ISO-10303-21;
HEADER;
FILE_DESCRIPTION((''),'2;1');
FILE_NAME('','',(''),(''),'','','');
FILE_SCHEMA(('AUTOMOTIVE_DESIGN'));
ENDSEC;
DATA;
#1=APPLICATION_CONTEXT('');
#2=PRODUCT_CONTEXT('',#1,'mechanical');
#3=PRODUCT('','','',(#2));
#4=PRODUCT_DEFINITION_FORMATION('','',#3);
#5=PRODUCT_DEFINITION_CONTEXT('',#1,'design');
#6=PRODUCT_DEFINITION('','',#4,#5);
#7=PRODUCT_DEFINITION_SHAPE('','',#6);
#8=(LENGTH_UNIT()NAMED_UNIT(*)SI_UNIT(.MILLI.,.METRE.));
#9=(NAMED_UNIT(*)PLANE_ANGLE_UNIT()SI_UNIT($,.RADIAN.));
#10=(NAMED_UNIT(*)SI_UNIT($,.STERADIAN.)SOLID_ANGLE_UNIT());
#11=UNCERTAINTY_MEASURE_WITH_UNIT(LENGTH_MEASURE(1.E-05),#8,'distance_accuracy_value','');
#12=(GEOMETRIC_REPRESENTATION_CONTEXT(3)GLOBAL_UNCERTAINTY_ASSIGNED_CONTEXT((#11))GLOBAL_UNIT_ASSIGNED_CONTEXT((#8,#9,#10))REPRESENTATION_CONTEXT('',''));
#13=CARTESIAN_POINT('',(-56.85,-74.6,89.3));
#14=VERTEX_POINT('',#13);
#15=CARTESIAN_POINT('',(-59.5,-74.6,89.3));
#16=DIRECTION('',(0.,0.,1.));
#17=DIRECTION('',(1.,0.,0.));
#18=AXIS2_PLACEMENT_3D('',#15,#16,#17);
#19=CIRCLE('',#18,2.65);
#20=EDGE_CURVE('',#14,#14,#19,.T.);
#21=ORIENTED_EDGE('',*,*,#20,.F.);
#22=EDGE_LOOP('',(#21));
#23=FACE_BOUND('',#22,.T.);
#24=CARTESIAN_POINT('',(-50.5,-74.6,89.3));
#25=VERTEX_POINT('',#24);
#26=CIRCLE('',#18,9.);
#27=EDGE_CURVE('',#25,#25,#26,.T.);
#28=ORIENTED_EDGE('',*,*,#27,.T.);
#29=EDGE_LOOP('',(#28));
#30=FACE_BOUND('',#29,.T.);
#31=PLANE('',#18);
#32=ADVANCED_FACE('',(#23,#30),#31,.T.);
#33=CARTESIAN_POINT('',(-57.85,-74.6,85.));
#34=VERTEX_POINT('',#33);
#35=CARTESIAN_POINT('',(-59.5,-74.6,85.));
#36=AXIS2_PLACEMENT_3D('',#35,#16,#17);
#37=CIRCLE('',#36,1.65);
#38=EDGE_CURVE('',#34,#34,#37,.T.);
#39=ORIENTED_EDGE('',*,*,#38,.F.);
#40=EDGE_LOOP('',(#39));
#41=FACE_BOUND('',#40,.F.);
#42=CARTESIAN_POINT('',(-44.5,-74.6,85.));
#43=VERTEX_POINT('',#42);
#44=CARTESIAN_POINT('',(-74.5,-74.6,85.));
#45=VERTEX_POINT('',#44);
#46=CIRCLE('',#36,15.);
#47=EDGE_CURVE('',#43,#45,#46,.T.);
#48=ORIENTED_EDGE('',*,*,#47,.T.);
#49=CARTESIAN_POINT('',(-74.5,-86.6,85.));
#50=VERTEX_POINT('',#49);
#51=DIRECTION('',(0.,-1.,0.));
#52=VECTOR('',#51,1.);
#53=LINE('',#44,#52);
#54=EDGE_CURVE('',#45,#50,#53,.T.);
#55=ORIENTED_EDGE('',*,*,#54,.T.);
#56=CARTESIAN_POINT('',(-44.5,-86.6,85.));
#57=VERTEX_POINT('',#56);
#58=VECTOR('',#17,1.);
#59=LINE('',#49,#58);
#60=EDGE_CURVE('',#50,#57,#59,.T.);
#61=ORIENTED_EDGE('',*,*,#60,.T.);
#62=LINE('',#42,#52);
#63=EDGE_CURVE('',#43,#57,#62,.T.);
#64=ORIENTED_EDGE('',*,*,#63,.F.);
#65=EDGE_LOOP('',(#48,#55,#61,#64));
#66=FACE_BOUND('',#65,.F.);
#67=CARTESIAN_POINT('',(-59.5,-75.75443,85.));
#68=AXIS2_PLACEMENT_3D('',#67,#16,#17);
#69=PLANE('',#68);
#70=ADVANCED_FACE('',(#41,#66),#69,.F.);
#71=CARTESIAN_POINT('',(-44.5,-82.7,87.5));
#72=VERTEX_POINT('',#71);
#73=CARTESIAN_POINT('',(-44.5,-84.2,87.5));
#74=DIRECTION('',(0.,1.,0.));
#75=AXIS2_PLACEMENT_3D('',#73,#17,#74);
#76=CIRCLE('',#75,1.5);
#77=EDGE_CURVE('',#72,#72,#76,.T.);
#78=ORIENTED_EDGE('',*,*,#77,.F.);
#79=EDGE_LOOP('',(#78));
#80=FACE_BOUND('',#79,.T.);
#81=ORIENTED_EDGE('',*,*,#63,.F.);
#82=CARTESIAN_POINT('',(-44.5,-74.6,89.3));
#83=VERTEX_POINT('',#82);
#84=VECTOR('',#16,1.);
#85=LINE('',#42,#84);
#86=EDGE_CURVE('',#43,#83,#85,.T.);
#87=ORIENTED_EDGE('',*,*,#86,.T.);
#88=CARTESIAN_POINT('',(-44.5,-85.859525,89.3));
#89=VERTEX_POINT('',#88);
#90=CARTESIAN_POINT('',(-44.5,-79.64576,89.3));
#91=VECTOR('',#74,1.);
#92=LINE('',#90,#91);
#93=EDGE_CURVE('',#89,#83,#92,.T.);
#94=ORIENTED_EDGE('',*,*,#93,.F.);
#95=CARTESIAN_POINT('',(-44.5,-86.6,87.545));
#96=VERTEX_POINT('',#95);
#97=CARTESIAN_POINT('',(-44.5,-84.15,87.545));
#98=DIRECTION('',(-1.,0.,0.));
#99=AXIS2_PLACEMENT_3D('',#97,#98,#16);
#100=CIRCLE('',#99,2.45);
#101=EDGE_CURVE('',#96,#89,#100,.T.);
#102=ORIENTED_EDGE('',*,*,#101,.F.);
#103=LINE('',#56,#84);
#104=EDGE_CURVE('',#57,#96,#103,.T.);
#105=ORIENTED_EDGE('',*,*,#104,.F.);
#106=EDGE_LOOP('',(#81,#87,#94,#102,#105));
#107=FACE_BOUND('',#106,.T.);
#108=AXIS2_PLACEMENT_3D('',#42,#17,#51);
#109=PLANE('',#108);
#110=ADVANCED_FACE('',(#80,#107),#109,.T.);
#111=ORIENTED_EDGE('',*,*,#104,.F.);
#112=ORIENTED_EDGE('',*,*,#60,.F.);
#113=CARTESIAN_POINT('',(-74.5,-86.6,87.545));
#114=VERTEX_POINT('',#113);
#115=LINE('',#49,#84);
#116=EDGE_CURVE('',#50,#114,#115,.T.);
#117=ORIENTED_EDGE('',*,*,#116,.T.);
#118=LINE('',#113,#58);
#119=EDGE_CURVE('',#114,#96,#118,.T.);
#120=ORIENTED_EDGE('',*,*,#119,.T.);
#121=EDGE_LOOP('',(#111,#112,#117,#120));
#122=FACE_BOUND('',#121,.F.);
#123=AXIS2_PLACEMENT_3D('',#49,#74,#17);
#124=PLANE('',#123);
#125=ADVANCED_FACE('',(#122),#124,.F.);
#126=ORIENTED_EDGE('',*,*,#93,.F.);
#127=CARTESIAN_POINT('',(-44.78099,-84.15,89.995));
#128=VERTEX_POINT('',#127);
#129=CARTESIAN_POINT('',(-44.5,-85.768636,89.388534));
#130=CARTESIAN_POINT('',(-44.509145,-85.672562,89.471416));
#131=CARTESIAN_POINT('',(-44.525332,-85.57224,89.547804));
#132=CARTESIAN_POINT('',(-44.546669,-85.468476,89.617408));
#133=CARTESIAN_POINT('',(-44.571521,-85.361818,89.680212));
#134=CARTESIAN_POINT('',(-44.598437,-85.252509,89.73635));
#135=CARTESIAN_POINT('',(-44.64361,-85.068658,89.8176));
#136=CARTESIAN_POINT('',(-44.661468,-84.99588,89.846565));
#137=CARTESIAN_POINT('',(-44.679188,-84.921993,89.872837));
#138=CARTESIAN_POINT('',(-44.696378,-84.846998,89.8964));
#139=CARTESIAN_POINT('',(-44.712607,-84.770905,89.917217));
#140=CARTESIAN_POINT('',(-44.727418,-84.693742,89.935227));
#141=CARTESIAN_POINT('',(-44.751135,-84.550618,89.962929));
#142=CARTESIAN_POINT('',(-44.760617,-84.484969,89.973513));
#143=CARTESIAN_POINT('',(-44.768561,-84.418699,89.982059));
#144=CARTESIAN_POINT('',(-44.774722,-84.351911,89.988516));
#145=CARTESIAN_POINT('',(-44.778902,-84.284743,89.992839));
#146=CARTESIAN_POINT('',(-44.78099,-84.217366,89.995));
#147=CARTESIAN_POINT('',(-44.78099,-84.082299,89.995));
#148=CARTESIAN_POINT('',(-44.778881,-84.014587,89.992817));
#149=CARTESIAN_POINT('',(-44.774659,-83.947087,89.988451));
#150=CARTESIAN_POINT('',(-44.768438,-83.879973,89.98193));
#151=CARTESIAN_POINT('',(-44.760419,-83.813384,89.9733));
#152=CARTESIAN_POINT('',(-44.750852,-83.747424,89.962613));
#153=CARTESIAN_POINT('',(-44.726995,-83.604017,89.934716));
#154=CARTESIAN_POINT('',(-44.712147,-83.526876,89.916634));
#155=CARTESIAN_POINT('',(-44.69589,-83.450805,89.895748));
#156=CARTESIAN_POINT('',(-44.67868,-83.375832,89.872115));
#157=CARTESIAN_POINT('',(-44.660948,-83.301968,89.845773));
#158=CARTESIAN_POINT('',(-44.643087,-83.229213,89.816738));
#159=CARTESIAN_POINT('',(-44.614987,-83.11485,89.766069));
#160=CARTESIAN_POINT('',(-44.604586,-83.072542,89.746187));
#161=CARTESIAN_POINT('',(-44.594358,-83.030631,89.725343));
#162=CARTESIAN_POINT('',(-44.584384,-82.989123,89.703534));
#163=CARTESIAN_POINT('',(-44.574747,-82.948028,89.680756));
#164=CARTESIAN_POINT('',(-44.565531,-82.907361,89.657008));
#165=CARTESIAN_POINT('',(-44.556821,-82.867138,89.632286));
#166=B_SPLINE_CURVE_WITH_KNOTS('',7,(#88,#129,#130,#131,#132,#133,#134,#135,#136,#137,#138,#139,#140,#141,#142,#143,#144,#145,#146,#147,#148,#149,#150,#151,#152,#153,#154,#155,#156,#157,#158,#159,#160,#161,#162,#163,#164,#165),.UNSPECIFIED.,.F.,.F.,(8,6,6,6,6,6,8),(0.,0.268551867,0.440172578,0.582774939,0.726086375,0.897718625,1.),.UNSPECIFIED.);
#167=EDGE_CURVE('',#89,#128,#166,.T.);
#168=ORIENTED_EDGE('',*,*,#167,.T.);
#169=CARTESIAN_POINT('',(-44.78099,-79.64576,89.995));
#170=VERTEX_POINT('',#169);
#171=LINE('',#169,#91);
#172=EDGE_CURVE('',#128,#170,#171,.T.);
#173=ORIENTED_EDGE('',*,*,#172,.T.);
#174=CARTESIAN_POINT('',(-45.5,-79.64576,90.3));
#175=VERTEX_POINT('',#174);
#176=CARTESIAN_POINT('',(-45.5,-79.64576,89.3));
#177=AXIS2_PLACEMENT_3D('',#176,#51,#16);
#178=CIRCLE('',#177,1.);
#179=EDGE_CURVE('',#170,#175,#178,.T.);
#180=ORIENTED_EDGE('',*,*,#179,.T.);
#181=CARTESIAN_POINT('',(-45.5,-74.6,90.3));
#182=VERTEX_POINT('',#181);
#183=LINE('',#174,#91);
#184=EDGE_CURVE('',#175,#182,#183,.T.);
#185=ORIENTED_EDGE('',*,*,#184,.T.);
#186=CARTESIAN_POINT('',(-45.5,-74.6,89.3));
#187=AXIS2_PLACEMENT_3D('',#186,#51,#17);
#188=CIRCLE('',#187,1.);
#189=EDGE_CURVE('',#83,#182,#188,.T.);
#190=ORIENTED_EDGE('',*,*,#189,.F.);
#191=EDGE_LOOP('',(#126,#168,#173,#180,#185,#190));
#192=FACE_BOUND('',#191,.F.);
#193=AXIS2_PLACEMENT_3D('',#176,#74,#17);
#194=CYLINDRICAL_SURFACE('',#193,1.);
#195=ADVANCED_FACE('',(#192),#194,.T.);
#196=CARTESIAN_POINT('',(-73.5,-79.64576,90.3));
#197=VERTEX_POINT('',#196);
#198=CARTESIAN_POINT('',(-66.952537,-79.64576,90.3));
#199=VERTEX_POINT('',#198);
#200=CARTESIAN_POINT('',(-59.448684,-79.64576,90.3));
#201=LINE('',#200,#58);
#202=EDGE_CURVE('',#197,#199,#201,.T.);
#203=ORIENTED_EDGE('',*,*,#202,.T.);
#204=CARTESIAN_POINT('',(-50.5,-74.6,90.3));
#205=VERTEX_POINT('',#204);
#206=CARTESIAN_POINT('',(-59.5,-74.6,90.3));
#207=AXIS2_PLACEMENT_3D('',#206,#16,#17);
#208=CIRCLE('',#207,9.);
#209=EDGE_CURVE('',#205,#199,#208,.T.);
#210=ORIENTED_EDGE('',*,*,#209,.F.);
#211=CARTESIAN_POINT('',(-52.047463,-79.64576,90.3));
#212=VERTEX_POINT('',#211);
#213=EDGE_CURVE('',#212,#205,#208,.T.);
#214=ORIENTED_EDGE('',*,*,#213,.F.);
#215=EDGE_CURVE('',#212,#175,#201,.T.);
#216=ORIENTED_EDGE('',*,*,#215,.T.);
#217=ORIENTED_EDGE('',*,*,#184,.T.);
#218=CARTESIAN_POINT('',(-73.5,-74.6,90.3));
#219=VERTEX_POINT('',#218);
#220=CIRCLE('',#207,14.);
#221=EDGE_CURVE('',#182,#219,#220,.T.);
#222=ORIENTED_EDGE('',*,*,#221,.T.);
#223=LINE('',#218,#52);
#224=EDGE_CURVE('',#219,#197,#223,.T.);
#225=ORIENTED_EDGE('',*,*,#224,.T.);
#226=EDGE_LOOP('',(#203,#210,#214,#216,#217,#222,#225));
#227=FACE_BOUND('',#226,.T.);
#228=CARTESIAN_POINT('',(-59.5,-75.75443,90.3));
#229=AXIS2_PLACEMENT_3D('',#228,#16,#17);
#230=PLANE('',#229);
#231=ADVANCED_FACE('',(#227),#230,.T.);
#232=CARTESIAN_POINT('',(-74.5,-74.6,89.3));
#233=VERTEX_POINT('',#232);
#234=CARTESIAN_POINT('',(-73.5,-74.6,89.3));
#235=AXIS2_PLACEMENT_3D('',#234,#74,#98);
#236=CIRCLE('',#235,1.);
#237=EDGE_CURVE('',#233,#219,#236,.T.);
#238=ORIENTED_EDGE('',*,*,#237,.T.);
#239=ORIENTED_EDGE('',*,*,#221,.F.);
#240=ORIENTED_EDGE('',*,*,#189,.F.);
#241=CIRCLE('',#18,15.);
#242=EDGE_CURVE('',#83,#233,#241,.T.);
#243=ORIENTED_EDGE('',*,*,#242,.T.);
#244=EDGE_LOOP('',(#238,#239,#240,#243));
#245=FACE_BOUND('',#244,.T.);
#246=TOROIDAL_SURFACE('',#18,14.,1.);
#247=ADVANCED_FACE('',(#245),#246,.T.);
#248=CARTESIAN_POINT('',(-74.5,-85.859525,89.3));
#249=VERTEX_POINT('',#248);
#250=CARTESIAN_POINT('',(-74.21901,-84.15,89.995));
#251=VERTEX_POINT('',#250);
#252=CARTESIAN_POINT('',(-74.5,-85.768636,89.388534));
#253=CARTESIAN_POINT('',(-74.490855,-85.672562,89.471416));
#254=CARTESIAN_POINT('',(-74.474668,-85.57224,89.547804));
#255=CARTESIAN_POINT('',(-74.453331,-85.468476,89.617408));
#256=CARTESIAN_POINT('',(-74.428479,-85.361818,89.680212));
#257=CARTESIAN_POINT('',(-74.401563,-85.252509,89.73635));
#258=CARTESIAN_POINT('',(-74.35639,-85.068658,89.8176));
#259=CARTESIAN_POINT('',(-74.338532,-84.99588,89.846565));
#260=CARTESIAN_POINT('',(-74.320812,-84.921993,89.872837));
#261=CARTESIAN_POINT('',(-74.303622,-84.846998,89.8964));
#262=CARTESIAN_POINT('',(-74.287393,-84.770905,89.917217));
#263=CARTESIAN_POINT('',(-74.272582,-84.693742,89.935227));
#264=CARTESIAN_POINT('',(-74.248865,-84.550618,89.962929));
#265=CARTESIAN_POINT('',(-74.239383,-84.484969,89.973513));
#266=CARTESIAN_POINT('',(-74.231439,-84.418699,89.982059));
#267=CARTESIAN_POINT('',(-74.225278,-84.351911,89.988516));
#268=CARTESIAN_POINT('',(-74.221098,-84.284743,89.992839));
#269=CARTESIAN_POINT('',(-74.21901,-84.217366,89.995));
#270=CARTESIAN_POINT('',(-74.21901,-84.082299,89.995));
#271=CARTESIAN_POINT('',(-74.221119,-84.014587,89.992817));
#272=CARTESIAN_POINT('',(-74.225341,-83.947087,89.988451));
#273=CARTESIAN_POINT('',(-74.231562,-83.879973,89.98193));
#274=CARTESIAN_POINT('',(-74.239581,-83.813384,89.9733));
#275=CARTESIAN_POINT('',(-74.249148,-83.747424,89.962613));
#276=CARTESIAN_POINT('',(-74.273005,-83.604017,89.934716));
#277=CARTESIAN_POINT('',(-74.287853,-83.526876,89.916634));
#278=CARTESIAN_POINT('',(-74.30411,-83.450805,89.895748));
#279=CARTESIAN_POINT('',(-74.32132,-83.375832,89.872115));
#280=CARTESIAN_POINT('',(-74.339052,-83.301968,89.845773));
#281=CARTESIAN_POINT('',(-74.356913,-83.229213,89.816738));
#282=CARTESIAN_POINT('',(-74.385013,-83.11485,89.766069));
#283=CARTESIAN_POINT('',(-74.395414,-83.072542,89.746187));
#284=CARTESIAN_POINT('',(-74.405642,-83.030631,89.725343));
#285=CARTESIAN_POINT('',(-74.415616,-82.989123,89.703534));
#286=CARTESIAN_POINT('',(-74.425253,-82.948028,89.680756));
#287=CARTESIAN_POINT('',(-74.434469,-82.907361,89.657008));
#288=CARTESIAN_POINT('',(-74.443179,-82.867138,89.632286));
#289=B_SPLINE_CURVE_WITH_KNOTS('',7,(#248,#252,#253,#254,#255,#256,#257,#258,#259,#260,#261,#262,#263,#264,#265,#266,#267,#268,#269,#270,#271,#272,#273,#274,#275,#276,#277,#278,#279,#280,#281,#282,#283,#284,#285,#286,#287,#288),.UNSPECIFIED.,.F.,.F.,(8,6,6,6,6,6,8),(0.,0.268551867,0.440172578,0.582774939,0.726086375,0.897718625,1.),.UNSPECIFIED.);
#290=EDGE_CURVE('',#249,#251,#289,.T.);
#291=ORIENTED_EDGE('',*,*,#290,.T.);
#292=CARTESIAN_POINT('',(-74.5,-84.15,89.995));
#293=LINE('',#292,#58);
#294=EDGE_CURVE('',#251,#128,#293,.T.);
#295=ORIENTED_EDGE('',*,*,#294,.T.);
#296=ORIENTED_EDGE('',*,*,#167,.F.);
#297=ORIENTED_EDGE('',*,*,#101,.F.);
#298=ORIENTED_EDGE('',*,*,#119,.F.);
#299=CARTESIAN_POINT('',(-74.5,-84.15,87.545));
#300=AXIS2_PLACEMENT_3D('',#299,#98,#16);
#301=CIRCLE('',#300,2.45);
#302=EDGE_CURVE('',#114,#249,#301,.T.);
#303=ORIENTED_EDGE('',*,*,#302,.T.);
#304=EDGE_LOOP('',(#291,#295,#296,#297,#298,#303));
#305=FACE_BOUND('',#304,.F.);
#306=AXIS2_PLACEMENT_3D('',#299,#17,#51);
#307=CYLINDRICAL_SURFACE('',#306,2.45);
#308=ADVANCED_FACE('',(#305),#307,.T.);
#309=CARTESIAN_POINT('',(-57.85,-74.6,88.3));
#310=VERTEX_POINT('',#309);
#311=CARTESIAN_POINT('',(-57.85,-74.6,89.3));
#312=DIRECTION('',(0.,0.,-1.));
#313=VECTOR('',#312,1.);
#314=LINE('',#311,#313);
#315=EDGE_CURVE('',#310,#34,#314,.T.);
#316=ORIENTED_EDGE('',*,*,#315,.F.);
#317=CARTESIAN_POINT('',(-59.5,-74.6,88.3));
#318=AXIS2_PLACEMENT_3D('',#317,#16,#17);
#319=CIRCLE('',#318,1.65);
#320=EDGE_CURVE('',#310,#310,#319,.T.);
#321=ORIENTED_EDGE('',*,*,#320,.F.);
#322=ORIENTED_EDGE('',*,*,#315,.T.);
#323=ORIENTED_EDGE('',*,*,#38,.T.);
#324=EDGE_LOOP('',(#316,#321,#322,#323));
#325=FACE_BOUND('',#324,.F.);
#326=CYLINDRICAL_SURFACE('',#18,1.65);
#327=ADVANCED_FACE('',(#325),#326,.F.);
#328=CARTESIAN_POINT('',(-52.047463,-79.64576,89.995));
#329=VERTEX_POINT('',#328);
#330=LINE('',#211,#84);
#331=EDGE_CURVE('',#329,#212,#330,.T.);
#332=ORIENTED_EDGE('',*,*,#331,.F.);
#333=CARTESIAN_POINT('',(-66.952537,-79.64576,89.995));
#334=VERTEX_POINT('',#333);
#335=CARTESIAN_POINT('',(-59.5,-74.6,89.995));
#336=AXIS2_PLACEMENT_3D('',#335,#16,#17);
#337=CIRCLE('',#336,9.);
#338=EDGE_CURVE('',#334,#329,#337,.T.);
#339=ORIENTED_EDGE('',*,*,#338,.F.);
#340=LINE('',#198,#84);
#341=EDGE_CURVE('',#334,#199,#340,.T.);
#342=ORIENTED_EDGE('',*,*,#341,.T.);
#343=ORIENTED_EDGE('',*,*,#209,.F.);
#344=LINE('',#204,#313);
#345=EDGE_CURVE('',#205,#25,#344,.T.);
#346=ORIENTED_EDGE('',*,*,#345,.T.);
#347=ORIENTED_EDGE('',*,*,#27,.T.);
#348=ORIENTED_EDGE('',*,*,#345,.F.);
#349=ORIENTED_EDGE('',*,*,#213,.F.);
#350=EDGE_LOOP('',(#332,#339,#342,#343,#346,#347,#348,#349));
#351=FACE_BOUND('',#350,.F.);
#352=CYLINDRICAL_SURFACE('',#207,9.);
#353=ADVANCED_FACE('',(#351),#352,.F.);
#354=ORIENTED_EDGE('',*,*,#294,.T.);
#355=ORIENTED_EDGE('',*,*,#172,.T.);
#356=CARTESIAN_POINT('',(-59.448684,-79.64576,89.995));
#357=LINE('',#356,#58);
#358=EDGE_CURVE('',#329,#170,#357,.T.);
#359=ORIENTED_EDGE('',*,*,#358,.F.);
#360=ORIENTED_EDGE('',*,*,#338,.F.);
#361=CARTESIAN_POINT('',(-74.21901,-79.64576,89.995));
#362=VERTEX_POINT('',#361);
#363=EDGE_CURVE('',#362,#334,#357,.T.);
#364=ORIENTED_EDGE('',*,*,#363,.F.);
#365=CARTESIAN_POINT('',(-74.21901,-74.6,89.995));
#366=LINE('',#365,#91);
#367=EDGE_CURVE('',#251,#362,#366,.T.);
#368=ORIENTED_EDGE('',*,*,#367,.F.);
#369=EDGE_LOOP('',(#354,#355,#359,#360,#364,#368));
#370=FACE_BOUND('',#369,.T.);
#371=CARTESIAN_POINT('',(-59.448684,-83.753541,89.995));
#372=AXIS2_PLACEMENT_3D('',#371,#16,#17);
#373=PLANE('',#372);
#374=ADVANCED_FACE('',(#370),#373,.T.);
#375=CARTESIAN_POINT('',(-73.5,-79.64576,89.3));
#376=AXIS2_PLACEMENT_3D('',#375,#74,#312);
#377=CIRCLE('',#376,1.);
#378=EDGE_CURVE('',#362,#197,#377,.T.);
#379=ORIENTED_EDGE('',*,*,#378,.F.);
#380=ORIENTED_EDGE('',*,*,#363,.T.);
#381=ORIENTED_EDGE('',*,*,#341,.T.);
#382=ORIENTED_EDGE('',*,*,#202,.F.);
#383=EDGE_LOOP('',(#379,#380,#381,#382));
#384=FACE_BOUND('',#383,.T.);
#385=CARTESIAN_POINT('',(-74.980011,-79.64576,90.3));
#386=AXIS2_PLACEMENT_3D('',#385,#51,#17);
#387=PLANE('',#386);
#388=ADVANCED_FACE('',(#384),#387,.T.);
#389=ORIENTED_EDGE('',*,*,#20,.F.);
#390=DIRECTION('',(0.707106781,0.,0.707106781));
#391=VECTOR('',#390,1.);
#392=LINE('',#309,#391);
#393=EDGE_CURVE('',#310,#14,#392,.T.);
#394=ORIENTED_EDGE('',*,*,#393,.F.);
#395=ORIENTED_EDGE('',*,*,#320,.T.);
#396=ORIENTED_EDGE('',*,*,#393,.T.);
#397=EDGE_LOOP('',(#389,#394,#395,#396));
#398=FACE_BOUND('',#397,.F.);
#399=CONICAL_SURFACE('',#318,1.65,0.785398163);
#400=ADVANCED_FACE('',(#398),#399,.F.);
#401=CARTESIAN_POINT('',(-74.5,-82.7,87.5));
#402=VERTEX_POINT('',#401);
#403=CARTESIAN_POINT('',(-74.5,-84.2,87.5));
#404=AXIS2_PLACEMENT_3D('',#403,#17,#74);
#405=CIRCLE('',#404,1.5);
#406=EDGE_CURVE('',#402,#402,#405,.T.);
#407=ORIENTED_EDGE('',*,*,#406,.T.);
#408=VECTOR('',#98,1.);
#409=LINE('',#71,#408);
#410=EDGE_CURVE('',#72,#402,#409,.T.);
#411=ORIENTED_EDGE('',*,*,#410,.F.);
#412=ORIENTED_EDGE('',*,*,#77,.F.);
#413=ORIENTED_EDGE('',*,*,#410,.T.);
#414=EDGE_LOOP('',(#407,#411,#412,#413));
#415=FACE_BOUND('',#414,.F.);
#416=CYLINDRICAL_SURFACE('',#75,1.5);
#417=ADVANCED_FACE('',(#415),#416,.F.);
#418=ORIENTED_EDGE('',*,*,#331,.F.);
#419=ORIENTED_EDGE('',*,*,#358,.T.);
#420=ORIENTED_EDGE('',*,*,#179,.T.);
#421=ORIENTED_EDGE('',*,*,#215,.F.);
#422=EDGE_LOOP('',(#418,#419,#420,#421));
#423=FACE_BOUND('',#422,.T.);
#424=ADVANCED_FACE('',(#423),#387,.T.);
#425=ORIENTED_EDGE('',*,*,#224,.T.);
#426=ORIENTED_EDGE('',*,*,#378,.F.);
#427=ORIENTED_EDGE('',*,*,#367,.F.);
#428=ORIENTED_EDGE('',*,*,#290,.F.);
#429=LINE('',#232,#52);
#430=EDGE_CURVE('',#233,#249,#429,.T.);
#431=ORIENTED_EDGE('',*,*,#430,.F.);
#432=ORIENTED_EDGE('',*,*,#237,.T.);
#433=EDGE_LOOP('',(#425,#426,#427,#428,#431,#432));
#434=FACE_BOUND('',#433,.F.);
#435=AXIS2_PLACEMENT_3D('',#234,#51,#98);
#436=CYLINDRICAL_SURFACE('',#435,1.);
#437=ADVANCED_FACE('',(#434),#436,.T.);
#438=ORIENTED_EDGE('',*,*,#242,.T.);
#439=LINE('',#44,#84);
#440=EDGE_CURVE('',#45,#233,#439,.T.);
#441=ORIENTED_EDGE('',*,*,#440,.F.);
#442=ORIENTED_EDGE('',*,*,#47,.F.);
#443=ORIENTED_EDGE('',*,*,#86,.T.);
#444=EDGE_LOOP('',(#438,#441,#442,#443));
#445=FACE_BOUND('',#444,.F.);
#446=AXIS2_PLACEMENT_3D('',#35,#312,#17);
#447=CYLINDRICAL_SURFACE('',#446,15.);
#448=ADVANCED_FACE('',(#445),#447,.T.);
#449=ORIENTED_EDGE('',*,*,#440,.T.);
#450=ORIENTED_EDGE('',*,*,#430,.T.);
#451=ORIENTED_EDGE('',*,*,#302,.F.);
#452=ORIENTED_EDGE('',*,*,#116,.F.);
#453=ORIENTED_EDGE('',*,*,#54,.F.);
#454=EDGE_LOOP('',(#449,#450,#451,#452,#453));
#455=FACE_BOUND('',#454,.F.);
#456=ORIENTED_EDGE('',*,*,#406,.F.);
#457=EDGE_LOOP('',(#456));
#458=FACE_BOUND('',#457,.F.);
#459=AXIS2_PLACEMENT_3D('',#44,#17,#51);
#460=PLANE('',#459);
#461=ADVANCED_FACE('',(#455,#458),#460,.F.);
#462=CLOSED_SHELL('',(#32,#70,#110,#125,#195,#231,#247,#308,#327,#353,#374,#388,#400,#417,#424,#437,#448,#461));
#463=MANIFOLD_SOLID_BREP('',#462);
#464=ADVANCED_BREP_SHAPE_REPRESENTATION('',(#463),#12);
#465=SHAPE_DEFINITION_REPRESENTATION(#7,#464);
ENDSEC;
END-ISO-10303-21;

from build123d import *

# Parameters (mm, degrees)
PAD011_DEPTH    = 5.3
SKETCH027_W     = 31.062653
SKETCH027_H     = 8.215561
POCKET012_DEPTH = 0.305
FILLET005_R     = 2.45
FILLET006_R     = 1
SKETCH028_R     = 9
POCKET013_DEPTH = 1
SKETCH029_R     = 1.65
POCKET014_DEPTH = 5
SKETCH030_R     = 1.5
POCKET015_DEPTH = 31
CHAMFER001_SIZE = 1


with BuildPart() as part:
    # Sketch026 → Pad011 (new body)
    with BuildSketch(Plane.XY):
        with BuildLine():
            ThreePointArc((15, 0), (0, 15), (-15, 0))
            Line((-15, 0), (-15, -12))
            Line((-15, -12), (15, -12))
            Line((15, 0), (15, -12))
        make_face()
    extrude(amount=PAD011_DEPTH)

    # Sketch027 (on Face6 of Pad011) → Pocket012 (cut)
    with BuildSketch(Plane.XY.offset(5.3)):
        with Locations((0.051316, -9.153541)):
            Rectangle(SKETCH027_W, SKETCH027_H)
    extrude(amount=-POCKET012_DEPTH, mode=Mode.SUBTRACT)

    # Fillet005
    fillet005_edges = [part.edges().sort_by_distance(p)[0] for p in [
        (0, -12, 4.995),
    ]]
    fillet(fillet005_edges, radius=FILLET005_R)

    # Fillet006
    fillet006_edges = [part.edges().sort_by_distance(p)[0] for p in [
        (0, 15, 5.3),
    ]]
    fillet(fillet006_edges, radius=FILLET006_R)

    # Sketch028 (on Face12 of Fillet006) → Pocket013 (cut)
    with BuildSketch(Plane.XY.offset(5.3)):
        Circle(SKETCH028_R)
    extrude(amount=-POCKET013_DEPTH, mode=Mode.SUBTRACT)

    # Sketch029 (on Face15 of Pocket013) → Pocket014 (cut)
    with BuildSketch(Plane.XY.offset(4.3)):
        Circle(SKETCH029_R)
    extrude(amount=-POCKET014_DEPTH, mode=Mode.SUBTRACT)

    # Sketch030 (on Face1 of Pocket014) → Pocket015 (cut)
    with BuildSketch(Plane.YZ.offset(15)):
        with Locations((-9.6, 2.5)):
            Circle(SKETCH030_R)
    extrude(amount=-POCKET015_DEPTH, mode=Mode.SUBTRACT)

    # Chamfer001
    chamfer001_edges = [part.edges().sort_by_distance(p)[0] for p in [
        (-1.65, 0, 4.3),
    ]]
    chamfer(chamfer001_edges, length=CHAMFER001_SIZE)


with BuildPart() as part_1:
    # Body007 placement: moved
    add(part.part.moved(Location((-59.5, -74.6, 85))))


solid = part_1.part
